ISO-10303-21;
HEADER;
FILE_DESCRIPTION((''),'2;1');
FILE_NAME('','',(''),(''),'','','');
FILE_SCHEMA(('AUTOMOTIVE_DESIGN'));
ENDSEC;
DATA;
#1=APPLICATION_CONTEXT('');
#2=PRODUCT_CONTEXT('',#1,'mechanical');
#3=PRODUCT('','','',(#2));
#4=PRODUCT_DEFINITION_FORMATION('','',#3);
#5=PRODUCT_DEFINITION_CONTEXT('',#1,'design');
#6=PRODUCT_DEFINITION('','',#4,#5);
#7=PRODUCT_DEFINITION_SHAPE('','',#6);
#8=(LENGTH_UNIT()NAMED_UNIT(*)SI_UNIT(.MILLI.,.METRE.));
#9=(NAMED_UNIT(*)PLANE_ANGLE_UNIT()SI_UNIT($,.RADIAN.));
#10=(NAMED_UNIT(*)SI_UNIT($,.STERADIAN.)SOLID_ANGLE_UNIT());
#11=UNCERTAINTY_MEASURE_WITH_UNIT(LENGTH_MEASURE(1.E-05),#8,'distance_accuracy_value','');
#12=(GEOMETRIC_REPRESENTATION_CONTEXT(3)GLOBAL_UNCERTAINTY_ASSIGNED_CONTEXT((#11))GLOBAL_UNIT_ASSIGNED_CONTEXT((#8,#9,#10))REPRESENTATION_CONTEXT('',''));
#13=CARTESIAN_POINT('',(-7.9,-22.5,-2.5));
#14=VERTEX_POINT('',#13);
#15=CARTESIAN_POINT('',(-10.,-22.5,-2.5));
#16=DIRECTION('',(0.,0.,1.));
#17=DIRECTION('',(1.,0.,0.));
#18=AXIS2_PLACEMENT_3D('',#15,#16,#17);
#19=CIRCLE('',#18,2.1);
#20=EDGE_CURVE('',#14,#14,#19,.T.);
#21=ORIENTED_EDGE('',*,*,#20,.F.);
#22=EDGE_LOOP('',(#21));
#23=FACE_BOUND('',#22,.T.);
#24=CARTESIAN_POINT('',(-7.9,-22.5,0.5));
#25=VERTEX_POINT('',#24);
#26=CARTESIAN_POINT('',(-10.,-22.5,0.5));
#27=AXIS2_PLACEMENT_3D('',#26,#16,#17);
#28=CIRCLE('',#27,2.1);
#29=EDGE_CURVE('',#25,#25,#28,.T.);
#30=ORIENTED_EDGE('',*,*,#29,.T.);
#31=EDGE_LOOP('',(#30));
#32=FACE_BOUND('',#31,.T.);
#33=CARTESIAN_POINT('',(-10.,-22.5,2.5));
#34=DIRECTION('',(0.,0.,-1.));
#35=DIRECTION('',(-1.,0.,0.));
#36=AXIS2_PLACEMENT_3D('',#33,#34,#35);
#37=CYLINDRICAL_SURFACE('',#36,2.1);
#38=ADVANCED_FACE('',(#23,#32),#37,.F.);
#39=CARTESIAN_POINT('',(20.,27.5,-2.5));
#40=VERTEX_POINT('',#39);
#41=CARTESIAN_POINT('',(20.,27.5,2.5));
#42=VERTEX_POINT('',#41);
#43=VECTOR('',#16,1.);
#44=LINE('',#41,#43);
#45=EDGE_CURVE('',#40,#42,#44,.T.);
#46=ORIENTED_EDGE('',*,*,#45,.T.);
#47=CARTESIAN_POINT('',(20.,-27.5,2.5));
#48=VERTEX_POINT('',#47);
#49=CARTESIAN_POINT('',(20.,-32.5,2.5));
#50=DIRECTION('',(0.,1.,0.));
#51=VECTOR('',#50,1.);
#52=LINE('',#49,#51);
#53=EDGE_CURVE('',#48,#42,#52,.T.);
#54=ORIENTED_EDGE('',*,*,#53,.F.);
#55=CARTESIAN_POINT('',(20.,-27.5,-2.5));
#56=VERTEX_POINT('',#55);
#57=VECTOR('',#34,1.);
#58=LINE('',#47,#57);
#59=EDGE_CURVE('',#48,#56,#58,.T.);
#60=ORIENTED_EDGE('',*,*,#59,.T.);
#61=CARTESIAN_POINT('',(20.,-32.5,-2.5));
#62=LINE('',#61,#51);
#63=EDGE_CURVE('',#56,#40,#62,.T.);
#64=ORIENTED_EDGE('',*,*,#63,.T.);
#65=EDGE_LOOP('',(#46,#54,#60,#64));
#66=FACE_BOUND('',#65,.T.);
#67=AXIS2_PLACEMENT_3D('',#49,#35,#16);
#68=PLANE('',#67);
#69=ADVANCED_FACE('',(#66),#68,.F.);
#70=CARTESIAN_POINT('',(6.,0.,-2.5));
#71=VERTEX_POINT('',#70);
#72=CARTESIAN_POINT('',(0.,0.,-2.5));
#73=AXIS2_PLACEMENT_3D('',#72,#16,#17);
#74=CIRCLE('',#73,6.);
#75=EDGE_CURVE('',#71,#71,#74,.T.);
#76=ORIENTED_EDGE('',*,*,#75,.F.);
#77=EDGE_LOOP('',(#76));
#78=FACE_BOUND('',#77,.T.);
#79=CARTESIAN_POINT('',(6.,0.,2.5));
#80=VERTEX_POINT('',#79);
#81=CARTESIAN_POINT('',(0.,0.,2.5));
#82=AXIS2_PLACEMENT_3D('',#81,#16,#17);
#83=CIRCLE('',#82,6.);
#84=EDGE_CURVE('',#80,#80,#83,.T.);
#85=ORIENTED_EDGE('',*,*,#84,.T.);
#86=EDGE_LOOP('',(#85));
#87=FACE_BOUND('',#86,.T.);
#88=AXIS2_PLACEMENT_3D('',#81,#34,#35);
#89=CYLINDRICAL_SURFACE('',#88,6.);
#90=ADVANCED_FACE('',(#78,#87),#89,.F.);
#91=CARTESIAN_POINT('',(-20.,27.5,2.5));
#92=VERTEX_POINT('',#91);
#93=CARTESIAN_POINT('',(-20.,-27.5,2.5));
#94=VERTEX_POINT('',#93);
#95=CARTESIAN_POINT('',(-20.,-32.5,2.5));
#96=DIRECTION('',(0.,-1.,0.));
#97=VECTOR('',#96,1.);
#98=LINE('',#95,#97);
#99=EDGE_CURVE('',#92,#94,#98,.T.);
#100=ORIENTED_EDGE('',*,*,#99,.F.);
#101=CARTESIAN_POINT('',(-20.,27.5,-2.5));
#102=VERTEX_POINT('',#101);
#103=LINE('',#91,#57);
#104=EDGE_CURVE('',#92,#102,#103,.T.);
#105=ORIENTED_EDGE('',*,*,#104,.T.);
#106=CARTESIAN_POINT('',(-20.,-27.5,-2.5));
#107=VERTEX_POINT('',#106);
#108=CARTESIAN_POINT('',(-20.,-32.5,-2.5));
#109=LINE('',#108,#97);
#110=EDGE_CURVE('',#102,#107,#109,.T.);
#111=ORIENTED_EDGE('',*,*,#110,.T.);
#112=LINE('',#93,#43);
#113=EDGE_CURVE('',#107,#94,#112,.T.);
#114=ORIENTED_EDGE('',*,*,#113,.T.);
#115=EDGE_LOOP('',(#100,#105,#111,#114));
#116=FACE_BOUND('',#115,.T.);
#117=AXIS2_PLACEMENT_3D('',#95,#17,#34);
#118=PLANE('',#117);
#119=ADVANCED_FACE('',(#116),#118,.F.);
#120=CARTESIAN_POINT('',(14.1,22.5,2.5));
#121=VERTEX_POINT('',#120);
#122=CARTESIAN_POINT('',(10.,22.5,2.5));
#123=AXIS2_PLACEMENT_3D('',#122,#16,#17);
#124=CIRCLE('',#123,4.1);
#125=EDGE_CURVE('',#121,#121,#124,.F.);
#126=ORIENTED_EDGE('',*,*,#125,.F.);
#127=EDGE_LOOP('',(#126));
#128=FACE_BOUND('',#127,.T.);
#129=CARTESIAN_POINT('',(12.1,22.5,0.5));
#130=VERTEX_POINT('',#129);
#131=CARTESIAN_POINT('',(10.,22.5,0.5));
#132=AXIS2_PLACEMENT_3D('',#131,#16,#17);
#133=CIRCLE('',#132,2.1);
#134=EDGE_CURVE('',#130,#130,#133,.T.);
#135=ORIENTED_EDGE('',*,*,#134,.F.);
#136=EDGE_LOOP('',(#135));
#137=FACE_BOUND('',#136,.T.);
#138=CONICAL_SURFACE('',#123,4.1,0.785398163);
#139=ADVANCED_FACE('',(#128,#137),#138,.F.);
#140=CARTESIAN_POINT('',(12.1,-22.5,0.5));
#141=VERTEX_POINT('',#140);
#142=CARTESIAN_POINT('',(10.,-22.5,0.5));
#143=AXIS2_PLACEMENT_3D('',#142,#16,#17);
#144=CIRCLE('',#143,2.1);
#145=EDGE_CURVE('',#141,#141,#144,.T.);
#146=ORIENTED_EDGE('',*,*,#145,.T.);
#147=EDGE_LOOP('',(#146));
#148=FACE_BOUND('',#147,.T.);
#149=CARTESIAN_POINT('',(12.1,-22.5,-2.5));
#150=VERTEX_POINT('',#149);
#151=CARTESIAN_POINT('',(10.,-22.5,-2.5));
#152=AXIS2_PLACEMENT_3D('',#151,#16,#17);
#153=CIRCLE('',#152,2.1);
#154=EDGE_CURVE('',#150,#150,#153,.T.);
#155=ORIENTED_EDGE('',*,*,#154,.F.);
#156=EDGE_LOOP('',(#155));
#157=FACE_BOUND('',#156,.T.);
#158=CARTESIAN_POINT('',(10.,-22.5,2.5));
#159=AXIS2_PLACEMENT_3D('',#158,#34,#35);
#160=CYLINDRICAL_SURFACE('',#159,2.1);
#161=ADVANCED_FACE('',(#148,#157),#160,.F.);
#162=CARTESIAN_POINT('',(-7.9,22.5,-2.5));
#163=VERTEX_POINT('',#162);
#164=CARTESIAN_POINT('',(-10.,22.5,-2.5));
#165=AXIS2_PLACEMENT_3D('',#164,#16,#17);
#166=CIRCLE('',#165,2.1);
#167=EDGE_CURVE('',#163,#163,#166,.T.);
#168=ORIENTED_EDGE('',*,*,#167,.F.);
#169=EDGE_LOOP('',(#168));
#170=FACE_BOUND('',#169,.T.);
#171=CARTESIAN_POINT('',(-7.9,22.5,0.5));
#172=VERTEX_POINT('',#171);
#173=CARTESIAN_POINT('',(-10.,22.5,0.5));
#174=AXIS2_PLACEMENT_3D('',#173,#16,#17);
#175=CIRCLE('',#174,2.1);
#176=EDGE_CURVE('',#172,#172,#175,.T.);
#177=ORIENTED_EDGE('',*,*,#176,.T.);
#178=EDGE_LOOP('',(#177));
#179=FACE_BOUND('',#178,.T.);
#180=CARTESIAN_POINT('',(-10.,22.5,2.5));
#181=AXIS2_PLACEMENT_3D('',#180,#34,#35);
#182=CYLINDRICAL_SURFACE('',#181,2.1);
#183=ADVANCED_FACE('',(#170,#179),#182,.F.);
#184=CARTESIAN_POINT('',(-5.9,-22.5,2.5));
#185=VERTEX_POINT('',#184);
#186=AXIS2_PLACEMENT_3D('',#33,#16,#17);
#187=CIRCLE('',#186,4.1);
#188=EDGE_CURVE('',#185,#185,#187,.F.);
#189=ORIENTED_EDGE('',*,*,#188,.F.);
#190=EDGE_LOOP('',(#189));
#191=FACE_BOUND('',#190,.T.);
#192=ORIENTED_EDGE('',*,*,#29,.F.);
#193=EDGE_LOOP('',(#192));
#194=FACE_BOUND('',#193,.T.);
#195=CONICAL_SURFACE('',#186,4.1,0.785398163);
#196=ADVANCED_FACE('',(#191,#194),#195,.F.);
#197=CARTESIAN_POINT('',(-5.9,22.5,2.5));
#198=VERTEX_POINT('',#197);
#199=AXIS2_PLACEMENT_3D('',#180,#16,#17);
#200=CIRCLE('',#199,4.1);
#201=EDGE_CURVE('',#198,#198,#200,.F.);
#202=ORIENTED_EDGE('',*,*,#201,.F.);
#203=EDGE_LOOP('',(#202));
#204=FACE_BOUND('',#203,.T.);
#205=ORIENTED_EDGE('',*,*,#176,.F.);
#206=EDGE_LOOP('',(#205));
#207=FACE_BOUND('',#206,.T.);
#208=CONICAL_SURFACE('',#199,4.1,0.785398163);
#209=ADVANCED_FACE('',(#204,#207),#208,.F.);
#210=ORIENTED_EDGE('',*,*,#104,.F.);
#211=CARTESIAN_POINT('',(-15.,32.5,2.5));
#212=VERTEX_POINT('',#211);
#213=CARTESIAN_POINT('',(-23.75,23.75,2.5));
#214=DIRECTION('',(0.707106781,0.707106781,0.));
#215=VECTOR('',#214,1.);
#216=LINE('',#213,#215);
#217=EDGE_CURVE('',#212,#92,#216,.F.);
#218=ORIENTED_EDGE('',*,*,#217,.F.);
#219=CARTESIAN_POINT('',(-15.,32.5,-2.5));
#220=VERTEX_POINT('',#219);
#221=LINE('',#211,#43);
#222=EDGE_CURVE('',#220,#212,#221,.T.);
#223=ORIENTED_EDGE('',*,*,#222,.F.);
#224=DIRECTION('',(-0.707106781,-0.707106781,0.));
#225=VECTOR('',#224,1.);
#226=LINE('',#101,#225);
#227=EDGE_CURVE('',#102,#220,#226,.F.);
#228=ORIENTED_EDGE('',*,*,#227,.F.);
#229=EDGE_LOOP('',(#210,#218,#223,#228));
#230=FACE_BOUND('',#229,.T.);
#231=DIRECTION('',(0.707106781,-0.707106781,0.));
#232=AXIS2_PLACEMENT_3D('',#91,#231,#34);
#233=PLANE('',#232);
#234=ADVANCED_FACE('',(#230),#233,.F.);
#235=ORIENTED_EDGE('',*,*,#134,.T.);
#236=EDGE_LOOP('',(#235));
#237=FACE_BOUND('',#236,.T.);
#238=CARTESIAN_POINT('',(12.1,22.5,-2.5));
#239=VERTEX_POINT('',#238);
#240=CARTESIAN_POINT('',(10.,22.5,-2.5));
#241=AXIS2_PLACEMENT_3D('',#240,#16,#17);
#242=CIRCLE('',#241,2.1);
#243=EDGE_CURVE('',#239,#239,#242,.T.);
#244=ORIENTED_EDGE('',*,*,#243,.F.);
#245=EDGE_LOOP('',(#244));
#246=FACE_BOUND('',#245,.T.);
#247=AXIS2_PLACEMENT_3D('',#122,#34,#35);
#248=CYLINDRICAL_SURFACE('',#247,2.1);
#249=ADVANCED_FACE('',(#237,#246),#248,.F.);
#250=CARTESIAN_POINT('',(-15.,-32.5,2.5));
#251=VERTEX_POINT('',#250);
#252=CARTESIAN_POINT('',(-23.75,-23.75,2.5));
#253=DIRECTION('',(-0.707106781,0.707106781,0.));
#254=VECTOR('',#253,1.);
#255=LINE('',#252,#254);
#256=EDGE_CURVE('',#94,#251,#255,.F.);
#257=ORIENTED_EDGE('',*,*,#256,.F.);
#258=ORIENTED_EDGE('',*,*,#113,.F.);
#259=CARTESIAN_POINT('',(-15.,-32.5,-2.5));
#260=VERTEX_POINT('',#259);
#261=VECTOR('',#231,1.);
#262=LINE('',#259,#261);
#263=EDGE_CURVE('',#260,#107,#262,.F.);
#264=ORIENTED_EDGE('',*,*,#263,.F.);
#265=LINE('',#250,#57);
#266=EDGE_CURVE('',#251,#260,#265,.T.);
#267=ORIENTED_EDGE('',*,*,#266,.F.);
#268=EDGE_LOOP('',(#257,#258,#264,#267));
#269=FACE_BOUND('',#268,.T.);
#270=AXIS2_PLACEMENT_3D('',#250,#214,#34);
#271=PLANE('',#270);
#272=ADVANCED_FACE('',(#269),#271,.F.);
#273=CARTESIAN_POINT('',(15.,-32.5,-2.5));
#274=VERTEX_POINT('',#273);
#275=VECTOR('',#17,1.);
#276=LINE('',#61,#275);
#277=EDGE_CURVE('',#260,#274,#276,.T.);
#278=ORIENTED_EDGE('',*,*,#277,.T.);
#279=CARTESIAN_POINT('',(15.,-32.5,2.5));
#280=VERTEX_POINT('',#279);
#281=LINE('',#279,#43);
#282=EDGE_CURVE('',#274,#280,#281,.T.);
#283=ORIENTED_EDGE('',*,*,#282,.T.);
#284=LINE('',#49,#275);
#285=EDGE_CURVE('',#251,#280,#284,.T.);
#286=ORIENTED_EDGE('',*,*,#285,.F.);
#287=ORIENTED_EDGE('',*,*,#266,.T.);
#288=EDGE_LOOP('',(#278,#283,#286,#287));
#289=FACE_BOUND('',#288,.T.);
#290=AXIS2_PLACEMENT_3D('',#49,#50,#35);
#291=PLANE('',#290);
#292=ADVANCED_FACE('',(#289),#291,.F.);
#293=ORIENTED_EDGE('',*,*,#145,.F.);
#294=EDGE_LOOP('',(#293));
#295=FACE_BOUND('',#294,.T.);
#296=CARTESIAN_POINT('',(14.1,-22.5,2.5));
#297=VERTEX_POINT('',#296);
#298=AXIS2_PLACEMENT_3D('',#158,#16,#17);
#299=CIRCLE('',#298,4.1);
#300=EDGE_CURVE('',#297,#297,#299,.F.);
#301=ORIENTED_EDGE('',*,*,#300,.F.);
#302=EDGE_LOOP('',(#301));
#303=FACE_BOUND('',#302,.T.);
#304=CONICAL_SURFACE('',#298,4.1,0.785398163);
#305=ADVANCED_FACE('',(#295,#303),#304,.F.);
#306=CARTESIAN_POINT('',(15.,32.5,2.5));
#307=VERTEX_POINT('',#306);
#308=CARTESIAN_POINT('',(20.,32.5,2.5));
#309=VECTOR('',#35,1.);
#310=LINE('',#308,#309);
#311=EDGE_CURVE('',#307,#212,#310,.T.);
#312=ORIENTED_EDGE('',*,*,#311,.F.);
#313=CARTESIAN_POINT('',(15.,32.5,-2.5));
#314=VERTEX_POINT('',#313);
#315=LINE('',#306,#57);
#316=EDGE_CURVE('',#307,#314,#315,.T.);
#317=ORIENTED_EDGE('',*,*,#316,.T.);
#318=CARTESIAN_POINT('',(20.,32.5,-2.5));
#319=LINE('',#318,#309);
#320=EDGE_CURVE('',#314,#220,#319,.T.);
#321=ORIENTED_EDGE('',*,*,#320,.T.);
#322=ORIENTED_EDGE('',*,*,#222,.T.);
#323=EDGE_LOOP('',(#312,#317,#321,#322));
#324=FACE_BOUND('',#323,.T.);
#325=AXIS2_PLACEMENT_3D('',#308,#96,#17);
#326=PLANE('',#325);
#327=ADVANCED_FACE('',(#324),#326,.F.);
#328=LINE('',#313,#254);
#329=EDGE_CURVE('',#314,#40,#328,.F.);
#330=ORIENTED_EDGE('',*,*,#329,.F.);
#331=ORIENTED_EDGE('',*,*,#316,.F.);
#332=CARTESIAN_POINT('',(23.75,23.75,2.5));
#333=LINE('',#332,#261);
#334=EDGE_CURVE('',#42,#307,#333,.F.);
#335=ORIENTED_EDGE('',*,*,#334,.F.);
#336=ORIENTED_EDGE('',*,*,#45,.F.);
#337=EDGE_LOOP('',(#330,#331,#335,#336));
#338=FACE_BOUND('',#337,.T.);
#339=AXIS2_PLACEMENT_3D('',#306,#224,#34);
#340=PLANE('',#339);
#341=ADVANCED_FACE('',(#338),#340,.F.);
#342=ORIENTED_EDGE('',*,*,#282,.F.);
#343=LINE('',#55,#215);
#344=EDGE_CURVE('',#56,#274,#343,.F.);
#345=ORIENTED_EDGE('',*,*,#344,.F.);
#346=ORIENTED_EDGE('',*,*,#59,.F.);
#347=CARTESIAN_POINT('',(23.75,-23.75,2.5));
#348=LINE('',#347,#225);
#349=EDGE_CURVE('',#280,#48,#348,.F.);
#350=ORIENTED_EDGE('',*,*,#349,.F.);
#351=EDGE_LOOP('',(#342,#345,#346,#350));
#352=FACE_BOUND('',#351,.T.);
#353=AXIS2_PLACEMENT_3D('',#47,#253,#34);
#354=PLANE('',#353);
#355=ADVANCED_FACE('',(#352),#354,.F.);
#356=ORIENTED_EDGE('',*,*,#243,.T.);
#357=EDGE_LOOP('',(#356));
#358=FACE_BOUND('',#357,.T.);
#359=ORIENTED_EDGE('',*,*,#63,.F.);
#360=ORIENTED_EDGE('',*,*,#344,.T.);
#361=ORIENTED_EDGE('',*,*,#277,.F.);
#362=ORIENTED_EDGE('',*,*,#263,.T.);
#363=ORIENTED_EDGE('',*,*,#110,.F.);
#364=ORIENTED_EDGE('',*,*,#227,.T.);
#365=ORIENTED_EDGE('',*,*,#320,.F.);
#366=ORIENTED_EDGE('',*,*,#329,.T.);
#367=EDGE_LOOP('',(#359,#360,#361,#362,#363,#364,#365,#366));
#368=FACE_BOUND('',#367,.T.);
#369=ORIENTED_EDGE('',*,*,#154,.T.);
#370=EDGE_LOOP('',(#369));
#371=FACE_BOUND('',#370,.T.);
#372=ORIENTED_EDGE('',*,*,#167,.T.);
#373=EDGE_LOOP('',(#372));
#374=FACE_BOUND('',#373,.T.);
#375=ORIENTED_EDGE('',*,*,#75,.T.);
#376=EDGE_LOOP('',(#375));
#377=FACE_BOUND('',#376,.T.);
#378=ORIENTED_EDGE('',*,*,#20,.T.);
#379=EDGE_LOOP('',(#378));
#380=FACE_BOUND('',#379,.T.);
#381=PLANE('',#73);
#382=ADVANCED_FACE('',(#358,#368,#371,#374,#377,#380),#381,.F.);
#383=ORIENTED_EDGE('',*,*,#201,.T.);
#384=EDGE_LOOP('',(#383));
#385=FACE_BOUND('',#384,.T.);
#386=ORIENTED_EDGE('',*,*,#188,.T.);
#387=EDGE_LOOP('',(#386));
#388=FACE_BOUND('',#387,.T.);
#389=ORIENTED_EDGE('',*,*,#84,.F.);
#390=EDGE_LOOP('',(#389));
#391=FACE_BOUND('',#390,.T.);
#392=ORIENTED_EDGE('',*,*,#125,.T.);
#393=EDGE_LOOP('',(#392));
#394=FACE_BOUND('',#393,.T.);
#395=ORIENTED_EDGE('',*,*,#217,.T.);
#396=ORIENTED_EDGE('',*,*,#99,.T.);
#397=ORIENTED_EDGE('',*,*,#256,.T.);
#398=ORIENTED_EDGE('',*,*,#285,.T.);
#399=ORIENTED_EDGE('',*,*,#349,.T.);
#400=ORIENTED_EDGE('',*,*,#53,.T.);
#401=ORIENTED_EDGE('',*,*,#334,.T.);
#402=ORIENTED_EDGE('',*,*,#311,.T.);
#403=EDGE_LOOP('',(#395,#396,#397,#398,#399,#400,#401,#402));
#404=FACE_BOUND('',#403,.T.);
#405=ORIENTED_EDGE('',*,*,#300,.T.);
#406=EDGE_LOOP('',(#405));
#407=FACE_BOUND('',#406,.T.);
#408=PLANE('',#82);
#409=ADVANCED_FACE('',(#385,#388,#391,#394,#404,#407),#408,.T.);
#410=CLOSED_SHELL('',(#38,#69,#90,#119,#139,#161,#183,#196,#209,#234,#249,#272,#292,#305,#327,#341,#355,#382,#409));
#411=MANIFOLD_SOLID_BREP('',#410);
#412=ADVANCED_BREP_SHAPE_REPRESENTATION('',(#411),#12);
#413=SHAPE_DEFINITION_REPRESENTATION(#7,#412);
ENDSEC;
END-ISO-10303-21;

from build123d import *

# Parameters (mm, degrees)
SKETCH_1_W               = 40
SKETCH_1_H               = 65
SKETCH_1_R               = 6
EXTRUDE_1_DEPTH          = 2.5
CUT_EXTRUDE_1_DEPTH      = 39.487010796
CUT_EXTRUDE_1_DEPTH_BACK = 39.487010796
SKETCH_2_R               = 2.1
CHAMFER_1_SIZE           = 2
CHAMFER_2_SIZE           = 5


with BuildPart() as part:
    # 草图1 → 凸台-拉伸1 (new, symmetric)
    with BuildSketch(Plane.XY):
        Rectangle(SKETCH_1_W, SKETCH_1_H)
        Circle(SKETCH_1_R, mode=Mode.SUBTRACT)
    extrude(amount=EXTRUDE_1_DEPTH, both=True)

    # 草图2 → 切除-拉伸1 (cut, two sides: drawn at the far end of the back side and taken through both)
    with BuildSketch(Plane(origin=(0, 0, -2.5), x_dir=(-1, 0, 0), z_dir=(0, 0, -1)).offset(-CUT_EXTRUDE_1_DEPTH_BACK)):
        with Locations((-10, 22.5)):
            Circle(SKETCH_2_R)
        with Locations((10, 22.5)):
            Circle(SKETCH_2_R)
        with Locations((10, -22.5)):
            Circle(SKETCH_2_R)
        with Locations((-10, -22.5)):
            Circle(SKETCH_2_R)
    extrude(amount=CUT_EXTRUDE_1_DEPTH + CUT_EXTRUDE_1_DEPTH_BACK, mode=Mode.SUBTRACT)

    # 倒角1
    chamfer_1_edges = [part.edges().sort_by_distance(p)[0] for p in [
        (12.1, -22.5, 2.5),
        (-7.9, -22.5, 2.5),
        (-7.9, 22.5, 2.5),
        (12.1, 22.5, 2.5),
    ]]
    chamfer(chamfer_1_edges, length=CHAMFER_1_SIZE)

    # 倒角2
    chamfer_2_edges = [part.edges().sort_by_distance(p)[0] for p in [
        (-20, 32.5, 0),
        (20, 32.5, 0),
        (20, -32.5, 0),
        (-20, -32.5, 0),
    ]]
    chamfer(chamfer_2_edges, length=CHAMFER_2_SIZE)


solid = part.part
